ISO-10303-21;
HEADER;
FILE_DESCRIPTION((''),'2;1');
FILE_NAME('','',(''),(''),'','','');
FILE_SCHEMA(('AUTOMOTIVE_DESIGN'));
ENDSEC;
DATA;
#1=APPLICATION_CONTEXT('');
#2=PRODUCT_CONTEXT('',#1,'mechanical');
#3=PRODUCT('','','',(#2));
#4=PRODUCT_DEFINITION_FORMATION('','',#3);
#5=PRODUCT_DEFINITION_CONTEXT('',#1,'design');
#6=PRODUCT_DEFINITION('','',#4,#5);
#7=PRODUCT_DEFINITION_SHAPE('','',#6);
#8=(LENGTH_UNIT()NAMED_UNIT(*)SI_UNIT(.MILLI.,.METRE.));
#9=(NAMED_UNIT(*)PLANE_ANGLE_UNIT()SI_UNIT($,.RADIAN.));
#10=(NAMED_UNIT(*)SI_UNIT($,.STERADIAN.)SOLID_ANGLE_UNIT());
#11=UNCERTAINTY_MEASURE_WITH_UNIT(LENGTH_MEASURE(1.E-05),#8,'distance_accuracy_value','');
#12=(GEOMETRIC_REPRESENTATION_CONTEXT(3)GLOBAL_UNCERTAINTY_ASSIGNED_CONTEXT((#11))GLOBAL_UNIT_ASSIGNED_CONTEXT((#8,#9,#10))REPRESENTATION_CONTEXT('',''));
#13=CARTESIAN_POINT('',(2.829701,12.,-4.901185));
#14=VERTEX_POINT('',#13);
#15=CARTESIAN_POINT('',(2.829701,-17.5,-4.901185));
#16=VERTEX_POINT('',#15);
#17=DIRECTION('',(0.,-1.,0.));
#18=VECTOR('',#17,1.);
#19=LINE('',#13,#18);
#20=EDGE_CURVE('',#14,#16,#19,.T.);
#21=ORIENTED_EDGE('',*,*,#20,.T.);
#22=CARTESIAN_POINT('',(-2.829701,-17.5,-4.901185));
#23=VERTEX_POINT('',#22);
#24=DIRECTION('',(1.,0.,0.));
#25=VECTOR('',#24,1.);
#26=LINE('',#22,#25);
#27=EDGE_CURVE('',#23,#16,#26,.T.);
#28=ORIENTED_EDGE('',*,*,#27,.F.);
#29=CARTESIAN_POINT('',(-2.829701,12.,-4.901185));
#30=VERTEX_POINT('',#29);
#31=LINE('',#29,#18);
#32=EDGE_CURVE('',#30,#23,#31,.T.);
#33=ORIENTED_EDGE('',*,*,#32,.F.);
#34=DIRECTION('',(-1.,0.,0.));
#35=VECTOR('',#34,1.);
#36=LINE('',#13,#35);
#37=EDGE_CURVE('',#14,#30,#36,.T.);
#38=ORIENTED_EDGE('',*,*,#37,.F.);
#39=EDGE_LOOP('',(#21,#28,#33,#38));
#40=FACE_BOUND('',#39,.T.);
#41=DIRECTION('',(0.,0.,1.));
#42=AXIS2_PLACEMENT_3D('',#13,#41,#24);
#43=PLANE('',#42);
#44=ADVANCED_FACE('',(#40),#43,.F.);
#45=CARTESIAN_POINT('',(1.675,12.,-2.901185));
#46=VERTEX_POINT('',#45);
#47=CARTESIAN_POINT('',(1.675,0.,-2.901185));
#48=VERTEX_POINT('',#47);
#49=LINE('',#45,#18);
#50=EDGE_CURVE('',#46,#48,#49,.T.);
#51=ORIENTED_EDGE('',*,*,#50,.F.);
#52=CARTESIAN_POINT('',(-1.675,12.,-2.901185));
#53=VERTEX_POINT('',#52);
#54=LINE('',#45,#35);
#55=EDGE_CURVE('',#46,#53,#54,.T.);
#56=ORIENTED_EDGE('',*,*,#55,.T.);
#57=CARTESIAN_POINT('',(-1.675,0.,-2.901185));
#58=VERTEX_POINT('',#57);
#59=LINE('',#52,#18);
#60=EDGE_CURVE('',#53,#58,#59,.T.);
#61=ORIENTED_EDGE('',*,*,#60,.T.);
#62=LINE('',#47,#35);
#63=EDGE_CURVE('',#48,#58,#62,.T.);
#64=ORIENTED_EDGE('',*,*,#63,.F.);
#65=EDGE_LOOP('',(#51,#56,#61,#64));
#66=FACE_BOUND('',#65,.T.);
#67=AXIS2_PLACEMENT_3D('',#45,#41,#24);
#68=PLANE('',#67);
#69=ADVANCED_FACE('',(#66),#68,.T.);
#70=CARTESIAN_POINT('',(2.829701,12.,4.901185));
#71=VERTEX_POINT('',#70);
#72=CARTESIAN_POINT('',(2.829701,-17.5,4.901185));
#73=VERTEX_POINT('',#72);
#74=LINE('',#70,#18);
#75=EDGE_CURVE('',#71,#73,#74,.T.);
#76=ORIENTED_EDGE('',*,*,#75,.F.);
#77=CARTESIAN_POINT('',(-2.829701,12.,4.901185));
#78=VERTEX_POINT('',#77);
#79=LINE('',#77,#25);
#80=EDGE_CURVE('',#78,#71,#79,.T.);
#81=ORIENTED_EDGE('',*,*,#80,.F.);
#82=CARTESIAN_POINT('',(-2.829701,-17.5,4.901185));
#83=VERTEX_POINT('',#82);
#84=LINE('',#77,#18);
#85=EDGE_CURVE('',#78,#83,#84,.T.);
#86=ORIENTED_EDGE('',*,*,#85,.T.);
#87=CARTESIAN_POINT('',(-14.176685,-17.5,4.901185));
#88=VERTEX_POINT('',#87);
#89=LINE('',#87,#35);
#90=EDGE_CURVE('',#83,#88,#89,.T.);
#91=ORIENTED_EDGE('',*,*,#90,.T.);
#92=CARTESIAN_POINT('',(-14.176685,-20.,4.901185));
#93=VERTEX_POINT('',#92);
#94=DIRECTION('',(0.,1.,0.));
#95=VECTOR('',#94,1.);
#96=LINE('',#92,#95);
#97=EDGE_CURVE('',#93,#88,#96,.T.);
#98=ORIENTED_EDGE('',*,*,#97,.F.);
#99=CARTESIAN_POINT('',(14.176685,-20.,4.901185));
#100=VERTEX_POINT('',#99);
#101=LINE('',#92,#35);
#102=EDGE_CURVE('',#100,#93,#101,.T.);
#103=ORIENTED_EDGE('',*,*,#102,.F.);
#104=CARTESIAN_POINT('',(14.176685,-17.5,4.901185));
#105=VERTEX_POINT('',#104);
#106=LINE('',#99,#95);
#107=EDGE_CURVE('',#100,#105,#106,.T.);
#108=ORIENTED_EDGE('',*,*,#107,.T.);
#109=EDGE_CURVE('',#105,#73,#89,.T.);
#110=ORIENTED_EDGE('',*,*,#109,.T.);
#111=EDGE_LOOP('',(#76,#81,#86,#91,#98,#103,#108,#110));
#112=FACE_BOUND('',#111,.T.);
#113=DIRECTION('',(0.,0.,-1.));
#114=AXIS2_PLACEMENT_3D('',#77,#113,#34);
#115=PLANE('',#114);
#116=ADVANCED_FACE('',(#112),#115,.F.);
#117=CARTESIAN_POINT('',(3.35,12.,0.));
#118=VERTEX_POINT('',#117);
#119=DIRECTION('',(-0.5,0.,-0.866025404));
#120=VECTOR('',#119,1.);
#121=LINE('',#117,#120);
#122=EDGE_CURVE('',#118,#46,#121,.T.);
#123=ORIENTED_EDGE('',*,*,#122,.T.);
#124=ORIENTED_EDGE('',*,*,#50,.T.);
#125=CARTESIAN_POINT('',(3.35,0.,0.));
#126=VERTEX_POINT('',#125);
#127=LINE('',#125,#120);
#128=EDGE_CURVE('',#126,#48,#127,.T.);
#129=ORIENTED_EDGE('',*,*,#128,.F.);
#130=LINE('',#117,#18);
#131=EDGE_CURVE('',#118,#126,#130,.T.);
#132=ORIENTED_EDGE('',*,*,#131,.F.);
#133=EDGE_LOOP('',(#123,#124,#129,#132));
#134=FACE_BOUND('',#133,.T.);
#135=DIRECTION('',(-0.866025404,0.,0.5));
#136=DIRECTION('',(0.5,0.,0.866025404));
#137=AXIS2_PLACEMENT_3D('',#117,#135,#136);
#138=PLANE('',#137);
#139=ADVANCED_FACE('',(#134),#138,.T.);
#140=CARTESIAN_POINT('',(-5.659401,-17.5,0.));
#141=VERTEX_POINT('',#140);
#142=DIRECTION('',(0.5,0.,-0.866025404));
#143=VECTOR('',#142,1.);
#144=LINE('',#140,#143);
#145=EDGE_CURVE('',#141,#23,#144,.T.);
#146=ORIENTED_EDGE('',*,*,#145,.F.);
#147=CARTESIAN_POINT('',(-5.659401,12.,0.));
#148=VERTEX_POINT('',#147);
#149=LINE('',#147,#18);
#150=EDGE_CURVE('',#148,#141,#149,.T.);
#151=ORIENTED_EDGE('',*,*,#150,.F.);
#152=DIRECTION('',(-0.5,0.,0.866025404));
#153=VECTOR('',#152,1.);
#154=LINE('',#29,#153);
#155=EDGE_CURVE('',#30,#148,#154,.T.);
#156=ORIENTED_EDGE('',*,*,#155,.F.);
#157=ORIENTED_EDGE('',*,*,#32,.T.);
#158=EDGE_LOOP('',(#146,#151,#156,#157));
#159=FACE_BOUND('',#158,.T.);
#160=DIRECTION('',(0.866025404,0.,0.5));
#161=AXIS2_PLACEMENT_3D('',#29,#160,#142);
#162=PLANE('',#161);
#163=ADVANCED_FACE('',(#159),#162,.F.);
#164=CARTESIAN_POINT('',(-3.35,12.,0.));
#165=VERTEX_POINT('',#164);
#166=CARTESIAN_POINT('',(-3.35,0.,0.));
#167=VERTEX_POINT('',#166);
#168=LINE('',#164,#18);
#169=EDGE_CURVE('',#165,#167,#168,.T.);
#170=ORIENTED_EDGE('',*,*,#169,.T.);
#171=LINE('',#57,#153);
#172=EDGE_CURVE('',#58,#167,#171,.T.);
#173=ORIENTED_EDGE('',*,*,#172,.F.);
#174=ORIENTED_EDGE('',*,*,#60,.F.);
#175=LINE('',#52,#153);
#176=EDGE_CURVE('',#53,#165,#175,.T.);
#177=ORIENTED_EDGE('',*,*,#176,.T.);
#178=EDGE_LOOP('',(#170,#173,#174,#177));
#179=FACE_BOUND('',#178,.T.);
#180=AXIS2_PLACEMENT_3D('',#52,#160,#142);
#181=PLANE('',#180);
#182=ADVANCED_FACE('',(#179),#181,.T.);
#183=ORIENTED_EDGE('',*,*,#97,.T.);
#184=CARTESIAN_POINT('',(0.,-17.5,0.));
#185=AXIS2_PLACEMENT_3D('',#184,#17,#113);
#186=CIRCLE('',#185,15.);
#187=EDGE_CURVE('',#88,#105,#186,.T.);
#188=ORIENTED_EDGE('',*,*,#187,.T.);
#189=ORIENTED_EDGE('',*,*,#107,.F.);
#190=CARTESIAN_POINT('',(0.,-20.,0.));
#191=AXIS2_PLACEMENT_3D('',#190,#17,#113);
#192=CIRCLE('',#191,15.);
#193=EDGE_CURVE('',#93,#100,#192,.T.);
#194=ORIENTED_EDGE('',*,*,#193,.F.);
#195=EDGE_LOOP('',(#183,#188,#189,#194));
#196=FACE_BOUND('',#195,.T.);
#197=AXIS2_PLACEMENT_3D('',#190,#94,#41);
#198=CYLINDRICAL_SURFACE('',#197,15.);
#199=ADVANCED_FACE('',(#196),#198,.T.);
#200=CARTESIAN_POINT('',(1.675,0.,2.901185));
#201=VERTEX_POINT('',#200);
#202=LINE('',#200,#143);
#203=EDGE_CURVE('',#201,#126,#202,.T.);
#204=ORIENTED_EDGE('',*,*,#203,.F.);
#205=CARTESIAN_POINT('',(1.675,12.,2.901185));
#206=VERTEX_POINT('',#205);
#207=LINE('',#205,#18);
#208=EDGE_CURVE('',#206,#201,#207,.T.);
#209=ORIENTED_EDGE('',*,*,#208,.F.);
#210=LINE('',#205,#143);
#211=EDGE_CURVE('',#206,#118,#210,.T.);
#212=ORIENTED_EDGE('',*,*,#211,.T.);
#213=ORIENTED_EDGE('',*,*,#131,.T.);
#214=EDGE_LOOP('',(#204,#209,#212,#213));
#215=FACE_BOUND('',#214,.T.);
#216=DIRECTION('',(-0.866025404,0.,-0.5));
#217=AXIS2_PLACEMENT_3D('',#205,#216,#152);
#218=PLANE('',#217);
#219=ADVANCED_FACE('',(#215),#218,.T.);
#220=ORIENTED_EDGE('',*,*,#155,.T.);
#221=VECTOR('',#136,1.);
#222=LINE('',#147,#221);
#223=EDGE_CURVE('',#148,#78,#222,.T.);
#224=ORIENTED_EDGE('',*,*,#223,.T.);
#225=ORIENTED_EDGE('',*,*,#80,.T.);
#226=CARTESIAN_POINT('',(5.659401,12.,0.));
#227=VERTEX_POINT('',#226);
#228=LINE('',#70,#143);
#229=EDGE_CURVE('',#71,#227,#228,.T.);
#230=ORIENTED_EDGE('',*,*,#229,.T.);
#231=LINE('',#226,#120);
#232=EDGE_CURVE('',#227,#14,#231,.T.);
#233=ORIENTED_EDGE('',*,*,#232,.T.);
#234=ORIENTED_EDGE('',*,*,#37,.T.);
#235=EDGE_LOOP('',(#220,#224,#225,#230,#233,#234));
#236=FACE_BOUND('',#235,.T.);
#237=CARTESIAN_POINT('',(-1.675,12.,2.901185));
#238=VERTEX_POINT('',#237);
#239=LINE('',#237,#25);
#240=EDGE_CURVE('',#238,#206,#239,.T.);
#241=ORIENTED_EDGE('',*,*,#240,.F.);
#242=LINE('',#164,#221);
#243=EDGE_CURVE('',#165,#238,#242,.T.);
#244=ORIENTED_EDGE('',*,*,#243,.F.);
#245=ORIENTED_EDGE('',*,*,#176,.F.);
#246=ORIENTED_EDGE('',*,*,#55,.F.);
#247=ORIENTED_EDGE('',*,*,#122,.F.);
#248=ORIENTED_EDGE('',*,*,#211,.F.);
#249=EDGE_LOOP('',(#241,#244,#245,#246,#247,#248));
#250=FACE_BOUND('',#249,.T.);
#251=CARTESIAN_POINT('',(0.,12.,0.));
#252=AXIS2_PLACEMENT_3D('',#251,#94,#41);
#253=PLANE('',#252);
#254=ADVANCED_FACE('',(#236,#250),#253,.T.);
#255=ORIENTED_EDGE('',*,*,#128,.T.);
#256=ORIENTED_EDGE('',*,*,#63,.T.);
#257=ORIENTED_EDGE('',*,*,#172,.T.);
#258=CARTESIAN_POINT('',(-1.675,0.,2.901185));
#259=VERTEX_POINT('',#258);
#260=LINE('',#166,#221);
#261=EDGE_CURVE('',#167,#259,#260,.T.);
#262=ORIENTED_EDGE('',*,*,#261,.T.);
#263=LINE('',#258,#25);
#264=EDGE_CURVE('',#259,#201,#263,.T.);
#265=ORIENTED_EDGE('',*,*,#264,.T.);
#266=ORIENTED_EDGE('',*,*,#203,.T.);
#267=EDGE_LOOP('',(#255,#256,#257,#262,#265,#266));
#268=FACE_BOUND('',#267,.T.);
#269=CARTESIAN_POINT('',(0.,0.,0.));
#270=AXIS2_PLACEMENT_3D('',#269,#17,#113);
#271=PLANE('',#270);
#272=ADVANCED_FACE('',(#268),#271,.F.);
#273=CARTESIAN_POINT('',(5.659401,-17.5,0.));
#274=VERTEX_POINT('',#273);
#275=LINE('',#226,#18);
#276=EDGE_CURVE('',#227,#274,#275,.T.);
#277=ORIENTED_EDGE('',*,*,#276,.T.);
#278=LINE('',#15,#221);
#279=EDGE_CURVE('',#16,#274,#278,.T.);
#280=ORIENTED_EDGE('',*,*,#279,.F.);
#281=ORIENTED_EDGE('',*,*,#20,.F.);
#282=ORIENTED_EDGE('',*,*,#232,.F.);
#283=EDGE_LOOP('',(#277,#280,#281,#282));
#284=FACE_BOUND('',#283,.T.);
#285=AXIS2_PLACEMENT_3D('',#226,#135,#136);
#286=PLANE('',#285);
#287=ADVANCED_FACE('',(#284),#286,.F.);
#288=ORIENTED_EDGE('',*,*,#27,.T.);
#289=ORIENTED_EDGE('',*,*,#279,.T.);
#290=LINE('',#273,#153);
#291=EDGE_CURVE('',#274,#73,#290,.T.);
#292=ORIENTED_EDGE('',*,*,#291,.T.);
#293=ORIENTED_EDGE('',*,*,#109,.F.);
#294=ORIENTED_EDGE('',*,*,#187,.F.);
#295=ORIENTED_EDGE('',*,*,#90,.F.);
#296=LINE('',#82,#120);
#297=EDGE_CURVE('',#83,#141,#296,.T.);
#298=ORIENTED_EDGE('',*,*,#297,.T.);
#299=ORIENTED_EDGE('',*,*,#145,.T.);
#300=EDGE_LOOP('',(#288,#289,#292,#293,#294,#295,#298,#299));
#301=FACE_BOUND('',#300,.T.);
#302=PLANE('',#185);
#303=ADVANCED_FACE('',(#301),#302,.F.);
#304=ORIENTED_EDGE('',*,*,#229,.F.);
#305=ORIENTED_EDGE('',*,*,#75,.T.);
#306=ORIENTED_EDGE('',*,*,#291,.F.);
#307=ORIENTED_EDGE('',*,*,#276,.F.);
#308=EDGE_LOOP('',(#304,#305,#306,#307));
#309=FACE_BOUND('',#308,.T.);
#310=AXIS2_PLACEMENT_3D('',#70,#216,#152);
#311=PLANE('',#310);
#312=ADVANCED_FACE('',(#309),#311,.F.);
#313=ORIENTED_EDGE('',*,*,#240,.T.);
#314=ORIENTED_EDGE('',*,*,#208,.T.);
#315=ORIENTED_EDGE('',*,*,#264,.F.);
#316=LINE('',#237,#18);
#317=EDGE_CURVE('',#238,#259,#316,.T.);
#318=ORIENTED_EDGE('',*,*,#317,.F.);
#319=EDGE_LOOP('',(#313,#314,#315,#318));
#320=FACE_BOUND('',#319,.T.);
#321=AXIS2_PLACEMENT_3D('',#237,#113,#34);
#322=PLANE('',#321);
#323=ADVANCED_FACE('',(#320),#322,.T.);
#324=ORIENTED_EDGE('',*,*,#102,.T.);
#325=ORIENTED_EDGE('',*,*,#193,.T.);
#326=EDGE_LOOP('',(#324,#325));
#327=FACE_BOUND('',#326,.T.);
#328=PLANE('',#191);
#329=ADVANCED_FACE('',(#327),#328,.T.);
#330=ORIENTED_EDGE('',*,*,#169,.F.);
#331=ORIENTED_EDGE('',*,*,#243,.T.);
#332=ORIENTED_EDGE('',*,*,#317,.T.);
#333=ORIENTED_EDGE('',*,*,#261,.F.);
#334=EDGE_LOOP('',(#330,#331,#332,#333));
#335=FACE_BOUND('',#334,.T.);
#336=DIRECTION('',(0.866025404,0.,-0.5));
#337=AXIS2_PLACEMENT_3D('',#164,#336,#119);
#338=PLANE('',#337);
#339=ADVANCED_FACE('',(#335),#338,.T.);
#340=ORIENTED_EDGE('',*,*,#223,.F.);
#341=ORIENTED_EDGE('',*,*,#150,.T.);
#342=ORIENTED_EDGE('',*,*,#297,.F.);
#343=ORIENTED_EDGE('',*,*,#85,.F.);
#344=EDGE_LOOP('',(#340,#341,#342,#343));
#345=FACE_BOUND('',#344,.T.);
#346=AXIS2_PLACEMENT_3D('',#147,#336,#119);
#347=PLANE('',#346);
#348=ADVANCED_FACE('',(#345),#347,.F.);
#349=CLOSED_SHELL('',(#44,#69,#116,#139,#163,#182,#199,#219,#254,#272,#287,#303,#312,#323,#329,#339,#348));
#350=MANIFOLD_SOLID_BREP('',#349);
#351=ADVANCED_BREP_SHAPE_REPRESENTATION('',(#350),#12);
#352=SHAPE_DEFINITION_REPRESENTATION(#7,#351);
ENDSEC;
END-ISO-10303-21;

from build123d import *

# Parameters (mm, degrees)
BOSS_EXTRUDE1_DEPTH = 12
BOSS_EXTRUDE2_DEPTH = 17.5
BOSS_EXTRUDE3_DEPTH = 2.5


with BuildPart() as part:
    # Sketch1 → Boss-Extrude1 (new body)
    with BuildSketch(Plane(origin=(0, 0, 0), x_dir=(1, 0, 0), z_dir=(0, 1, 0))):
        Polygon((-2.829700538, 4.901185103), (-5.659401077, 0), (-2.829700538, -4.901185103), (2.829700538, -4.901185103), (5.659401077, 0), (2.829700538, 4.901185103), align=None)
        Polygon((-1.675, 2.901185103), (-3.35, 0), (-1.675, -2.901185103), (1.675, -2.901185103), (3.35, 0), (1.675, 2.901185103), align=None, mode=Mode.SUBTRACT)
    extrude(amount=BOSS_EXTRUDE1_DEPTH)

    # Sketch2 → Boss-Extrude2 (add)
    with BuildSketch(Plane.XZ):
        Polygon((-2.829700538, -4.901185103), (2.829700538, -4.901185103), (5.659401077, 0), (2.829700538, 4.901185103), (-2.829700538, 4.901185103), (-5.659401077, 0), align=None)
    extrude(amount=BOSS_EXTRUDE2_DEPTH)

    # Sketch3 → Boss-Extrude3 (add)
    with BuildSketch(Plane.XZ.offset(17.5)):
        with BuildLine():
            Line((-14.176684542, 4.901185103), (14.176684542, 4.901185103))
            ThreePointArc((14.176684542, 4.901185103), (0, -15), (-14.176684542, 4.901185103))
        make_face()
    extrude(amount=BOSS_EXTRUDE3_DEPTH)


solid = part.part
